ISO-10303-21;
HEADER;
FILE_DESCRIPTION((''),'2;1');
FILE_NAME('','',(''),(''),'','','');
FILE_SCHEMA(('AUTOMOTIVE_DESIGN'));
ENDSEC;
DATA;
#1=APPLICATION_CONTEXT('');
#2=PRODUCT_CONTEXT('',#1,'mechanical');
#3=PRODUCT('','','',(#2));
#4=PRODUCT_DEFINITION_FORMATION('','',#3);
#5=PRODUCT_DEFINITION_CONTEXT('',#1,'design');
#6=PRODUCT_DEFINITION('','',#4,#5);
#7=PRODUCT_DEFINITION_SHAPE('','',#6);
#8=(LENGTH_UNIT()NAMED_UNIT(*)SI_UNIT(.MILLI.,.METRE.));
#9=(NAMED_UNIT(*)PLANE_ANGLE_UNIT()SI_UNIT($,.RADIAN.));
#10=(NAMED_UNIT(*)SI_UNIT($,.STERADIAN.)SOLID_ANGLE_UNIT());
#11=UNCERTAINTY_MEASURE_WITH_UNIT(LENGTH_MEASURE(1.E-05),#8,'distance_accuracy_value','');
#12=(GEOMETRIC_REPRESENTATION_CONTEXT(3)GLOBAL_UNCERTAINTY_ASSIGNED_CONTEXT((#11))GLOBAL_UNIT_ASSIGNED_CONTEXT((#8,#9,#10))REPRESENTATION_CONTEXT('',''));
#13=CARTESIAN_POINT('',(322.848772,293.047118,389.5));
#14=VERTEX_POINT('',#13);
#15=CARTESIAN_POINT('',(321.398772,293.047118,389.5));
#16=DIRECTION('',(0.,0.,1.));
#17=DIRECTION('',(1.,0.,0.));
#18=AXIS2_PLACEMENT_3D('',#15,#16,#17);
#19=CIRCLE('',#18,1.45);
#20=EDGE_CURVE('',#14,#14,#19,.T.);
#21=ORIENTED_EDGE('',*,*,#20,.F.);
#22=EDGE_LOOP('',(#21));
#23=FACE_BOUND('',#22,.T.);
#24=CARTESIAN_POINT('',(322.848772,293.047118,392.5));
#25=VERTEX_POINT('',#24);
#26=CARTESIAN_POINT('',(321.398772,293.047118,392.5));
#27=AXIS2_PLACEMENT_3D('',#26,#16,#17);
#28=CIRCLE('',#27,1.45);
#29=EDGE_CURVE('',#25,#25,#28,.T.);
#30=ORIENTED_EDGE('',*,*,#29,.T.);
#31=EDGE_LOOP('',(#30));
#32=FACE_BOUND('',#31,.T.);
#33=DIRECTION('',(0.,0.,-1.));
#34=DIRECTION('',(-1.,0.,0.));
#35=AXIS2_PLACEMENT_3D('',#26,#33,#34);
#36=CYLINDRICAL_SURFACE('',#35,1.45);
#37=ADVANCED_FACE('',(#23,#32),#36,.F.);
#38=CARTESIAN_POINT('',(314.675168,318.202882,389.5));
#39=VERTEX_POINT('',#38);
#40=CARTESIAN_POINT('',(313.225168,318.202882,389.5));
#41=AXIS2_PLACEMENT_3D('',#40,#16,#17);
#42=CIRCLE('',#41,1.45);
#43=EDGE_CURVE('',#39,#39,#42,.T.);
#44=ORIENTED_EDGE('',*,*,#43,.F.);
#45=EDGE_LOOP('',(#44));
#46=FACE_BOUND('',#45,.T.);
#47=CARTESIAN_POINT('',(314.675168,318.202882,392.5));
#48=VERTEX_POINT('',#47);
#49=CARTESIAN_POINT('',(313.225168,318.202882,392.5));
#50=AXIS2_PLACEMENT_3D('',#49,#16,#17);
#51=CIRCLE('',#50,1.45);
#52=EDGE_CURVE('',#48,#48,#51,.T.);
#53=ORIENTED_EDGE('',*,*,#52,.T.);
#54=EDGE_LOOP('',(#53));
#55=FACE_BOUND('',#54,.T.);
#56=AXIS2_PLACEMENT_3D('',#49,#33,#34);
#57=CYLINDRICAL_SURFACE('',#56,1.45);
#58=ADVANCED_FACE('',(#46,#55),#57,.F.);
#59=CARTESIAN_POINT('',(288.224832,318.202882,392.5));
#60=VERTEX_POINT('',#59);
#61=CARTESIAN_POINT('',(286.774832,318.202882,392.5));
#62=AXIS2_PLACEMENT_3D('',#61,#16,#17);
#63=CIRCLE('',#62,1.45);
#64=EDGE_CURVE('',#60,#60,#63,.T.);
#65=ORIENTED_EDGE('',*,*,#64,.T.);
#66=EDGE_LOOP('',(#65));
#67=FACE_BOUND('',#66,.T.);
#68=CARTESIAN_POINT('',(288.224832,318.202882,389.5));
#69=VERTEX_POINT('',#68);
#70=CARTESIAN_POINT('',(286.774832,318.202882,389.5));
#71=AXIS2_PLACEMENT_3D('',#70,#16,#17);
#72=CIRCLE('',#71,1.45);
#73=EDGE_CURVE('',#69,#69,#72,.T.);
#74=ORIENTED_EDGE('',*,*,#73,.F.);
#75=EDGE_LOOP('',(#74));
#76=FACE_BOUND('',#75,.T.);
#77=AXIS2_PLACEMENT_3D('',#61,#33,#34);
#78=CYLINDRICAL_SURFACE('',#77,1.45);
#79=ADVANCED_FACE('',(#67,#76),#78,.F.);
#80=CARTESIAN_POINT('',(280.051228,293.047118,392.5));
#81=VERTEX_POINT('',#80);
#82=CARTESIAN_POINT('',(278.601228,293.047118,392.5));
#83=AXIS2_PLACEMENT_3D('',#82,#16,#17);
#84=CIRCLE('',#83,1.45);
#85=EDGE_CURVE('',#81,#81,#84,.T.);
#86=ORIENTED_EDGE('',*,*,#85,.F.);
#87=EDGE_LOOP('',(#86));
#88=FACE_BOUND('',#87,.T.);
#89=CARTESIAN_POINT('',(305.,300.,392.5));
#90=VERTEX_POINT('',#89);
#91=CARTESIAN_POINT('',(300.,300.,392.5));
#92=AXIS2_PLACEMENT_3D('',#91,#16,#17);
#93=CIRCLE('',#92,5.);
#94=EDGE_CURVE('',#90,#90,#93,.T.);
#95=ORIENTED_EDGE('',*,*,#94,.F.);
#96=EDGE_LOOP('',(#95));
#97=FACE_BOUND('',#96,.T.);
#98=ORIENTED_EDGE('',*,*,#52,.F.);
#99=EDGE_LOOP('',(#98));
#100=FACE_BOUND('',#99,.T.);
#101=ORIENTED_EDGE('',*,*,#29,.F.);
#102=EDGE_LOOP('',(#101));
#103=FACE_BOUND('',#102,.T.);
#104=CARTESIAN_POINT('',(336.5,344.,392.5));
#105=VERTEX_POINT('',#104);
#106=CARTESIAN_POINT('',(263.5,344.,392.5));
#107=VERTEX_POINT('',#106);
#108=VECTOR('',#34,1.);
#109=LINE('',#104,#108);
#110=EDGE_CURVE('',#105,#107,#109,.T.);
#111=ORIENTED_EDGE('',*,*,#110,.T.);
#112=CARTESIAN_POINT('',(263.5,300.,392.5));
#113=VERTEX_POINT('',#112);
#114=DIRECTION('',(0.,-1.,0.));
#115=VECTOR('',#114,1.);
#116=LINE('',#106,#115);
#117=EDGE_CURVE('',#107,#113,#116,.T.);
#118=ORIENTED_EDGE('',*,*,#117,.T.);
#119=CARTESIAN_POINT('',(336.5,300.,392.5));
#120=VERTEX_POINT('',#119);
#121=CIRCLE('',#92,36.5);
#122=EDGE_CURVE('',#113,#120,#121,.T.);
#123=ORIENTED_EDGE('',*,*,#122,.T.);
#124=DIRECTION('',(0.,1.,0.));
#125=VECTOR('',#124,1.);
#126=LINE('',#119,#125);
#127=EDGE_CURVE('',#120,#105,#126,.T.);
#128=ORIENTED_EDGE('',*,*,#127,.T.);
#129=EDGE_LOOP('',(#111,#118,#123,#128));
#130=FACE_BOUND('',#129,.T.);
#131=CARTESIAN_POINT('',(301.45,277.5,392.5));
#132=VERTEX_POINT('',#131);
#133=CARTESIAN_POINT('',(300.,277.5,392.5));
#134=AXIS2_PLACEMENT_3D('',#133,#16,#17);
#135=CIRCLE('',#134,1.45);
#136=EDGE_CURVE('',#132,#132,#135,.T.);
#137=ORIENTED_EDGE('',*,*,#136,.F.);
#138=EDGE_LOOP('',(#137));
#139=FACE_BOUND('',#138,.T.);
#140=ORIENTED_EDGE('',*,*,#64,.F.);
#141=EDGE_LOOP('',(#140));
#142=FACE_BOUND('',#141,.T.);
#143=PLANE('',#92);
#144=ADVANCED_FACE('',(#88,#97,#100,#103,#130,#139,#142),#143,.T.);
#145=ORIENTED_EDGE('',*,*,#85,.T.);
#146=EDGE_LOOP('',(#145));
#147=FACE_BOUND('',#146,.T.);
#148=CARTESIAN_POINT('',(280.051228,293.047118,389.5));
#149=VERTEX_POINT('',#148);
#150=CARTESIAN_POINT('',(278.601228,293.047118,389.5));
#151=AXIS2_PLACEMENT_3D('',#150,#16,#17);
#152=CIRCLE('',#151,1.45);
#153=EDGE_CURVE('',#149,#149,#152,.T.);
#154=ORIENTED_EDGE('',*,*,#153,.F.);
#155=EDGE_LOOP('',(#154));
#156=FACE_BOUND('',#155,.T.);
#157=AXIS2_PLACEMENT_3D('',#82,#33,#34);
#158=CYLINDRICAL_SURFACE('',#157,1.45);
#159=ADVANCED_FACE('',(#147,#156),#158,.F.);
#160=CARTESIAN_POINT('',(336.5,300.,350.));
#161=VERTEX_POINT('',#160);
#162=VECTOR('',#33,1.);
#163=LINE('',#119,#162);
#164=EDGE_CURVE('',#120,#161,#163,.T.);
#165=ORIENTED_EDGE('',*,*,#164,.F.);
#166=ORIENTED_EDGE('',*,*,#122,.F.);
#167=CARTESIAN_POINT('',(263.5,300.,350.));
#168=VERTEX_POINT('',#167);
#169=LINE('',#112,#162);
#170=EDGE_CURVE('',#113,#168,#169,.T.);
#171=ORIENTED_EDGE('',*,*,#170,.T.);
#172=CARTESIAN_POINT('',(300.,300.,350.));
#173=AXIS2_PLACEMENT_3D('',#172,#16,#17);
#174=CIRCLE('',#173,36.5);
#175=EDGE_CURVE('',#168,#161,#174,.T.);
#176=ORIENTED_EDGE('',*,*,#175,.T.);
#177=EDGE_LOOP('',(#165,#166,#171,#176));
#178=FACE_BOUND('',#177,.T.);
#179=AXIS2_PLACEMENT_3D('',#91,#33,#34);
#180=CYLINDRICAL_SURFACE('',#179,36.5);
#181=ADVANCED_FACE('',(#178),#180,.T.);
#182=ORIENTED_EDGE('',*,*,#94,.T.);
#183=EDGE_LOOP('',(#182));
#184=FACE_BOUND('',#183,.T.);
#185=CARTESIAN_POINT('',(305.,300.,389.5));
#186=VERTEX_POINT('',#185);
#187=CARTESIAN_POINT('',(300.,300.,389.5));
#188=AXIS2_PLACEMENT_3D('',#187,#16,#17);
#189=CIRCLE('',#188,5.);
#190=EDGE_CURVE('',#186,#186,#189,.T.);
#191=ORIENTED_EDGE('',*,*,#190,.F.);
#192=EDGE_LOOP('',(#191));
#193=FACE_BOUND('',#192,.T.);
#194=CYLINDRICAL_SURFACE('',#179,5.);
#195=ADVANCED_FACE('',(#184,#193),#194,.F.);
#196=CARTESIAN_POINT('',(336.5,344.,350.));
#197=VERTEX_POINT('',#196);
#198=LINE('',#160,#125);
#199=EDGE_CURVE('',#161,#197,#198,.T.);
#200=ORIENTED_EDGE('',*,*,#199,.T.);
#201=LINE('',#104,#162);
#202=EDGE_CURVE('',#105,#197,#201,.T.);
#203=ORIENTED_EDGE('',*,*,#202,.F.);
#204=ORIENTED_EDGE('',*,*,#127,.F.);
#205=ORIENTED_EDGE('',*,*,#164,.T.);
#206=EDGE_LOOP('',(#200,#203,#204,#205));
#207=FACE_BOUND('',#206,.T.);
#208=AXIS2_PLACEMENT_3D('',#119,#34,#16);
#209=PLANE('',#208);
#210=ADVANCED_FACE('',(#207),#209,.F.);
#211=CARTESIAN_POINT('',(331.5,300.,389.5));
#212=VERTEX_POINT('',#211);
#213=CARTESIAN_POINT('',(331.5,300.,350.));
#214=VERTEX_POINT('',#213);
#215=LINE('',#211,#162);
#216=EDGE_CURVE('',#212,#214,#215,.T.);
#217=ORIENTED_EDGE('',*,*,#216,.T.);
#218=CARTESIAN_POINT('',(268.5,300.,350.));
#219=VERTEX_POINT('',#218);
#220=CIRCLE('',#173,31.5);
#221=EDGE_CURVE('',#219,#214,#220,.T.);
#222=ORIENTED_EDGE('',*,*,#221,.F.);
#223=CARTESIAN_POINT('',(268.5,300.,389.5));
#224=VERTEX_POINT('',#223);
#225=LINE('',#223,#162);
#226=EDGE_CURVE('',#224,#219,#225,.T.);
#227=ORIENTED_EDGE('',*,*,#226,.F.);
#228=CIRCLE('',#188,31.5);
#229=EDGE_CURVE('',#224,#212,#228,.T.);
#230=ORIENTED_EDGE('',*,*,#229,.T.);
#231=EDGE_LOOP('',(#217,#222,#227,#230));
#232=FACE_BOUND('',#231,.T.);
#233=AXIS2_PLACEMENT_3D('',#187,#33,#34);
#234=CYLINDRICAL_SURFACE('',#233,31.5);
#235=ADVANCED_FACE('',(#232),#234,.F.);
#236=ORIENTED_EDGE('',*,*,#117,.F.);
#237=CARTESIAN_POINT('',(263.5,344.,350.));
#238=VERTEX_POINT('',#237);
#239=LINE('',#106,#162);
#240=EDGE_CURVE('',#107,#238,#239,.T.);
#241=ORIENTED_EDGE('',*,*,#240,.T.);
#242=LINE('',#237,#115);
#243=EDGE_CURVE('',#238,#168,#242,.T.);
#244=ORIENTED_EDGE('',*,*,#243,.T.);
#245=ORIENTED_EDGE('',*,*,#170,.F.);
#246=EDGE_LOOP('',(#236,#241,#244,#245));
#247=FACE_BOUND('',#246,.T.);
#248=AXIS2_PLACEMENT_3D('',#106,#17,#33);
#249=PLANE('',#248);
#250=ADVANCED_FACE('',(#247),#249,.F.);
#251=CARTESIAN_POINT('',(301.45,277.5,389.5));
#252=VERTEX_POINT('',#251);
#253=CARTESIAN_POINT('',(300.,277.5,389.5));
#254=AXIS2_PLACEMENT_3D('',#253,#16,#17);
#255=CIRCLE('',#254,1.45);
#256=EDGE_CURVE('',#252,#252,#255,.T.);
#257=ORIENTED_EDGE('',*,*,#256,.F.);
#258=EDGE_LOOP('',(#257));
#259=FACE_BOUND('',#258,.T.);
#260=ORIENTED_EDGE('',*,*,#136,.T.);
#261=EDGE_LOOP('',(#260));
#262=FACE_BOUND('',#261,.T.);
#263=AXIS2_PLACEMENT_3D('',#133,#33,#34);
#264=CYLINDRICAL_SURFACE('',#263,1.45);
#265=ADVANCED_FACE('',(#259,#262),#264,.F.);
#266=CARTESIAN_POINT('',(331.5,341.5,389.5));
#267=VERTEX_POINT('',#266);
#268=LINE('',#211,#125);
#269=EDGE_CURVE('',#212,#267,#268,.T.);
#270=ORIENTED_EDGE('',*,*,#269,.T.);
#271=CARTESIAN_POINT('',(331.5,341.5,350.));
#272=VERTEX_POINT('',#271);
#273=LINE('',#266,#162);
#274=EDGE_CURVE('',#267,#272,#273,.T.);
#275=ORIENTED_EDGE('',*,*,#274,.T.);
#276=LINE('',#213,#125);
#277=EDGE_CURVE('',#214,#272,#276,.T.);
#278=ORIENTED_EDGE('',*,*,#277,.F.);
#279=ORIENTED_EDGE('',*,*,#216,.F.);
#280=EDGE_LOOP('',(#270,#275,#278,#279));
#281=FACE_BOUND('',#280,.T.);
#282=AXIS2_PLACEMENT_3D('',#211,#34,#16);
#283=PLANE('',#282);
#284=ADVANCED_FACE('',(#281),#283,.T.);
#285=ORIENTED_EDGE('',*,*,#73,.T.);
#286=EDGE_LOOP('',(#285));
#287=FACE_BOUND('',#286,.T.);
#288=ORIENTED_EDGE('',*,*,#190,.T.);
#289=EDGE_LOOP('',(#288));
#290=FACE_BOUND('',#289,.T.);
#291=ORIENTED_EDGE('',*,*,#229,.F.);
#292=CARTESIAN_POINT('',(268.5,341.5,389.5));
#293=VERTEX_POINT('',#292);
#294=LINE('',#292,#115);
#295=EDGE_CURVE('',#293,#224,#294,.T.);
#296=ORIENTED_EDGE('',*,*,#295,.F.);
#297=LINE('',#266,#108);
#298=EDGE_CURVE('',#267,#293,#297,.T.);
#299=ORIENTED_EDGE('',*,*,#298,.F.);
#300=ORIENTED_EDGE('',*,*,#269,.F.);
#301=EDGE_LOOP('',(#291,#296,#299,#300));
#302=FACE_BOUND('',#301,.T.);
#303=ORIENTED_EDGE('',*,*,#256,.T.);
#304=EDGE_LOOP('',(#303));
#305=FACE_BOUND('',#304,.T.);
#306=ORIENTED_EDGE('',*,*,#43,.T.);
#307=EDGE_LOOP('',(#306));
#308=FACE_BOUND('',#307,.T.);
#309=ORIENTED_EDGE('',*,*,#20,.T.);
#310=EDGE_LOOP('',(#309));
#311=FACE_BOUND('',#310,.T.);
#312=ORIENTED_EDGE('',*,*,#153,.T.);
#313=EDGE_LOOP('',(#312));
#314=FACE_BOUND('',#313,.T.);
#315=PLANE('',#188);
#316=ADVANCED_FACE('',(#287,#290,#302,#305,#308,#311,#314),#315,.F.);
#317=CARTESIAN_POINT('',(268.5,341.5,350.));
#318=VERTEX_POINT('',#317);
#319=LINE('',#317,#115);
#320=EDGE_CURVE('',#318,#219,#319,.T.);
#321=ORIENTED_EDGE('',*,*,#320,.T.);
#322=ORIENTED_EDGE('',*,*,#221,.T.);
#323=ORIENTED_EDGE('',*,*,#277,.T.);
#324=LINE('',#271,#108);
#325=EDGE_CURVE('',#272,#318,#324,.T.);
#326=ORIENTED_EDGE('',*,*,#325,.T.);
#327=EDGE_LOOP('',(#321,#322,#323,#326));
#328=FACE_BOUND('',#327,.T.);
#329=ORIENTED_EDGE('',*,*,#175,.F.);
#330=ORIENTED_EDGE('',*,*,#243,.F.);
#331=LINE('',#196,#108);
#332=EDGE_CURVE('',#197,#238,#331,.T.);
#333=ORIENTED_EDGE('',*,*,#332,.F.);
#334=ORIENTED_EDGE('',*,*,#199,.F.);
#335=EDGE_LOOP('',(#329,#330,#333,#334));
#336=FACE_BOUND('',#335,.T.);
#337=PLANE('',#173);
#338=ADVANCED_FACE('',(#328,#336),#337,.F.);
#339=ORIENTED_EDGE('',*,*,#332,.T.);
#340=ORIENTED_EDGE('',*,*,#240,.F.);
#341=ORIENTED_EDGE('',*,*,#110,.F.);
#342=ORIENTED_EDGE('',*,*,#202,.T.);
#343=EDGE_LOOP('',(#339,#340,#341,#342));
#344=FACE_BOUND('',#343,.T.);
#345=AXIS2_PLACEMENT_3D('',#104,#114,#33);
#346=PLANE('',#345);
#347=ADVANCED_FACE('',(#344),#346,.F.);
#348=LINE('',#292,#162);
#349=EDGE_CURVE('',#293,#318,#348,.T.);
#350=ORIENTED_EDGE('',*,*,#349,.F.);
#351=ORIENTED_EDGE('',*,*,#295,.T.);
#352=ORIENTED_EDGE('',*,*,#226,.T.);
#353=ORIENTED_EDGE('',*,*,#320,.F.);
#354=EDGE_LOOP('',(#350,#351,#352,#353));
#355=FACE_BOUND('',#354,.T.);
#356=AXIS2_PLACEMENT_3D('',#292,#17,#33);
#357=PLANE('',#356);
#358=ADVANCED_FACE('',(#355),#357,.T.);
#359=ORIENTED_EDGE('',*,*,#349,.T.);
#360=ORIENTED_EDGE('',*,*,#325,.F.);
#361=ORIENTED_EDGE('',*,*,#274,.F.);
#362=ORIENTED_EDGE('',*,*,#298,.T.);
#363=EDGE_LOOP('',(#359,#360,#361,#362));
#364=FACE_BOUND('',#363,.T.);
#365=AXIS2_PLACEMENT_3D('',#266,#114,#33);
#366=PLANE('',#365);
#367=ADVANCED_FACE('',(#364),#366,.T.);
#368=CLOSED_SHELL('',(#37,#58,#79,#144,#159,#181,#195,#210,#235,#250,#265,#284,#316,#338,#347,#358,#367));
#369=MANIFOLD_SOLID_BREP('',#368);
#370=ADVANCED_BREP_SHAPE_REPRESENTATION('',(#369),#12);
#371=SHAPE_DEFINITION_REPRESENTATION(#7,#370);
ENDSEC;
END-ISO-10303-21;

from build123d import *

# Parameters (mm, degrees)
SKETCH1_R           = 36.5
BOSS_EXTRUDE1_DEPTH = 42.5
SKETCH2_W           = 73
SKETCH2_H           = 44
BOSS_EXTRUDE2_DEPTH = 42.5
SKETCH3_R           = 31.5
CUT_EXTRUDE1_DEPTH  = 39.5
SKETCH4_W           = 63
SKETCH4_H           = 41.5
CUT_EXTRUDE2_DEPTH  = 39.5
SKETCH5_R           = 5
SKETCH5_R_2         = 1.45
CUT_EXTRUDE3_DEPTH  = 3


with BuildPart() as part:
    # Sketch1 → Boss-Extrude1 (new body)
    with BuildSketch(Plane.XY.offset(350)):
        with Locations((300, 300)):
            Circle(SKETCH1_R)
    extrude(amount=BOSS_EXTRUDE1_DEPTH)

    # Sketch2 → Boss-Extrude2 (add)
    with BuildSketch(Plane.XY.offset(350)):
        with Locations((300, 322)):
            Rectangle(SKETCH2_W, SKETCH2_H)
    extrude(amount=BOSS_EXTRUDE2_DEPTH)

    # Sketch3 → Cut-Extrude1 (cut)
    with BuildSketch(Plane.XY.offset(350)):
        with Locations((300, 300)):
            Circle(SKETCH3_R)
    extrude(amount=CUT_EXTRUDE1_DEPTH, mode=Mode.SUBTRACT)

    # Sketch4 → Cut-Extrude2 (cut)
    with BuildSketch(Plane.XY.offset(350)):
        with Locations((300, 320.75)):
            Rectangle(SKETCH4_W, SKETCH4_H)
    extrude(amount=CUT_EXTRUDE2_DEPTH, mode=Mode.SUBTRACT)

    # Sketch5 → Cut-Extrude3 (cut)
    with BuildSketch(Plane.XY.offset(389.5)):
        with Locations((300, 300)):
            Circle(SKETCH5_R)
        with Locations((286.774831823, 318.202882373)):
            Circle(SKETCH5_R_2)
        with Locations((278.601228383, 293.047117627)):
            Circle(SKETCH5_R_2)
        with Locations((300, 277.5)):
            Circle(SKETCH5_R_2)
        with Locations((321.398771617, 293.047117627)):
            Circle(SKETCH5_R_2)
        with Locations((313.225168177, 318.202882373)):
            Circle(SKETCH5_R_2)
    extrude(amount=CUT_EXTRUDE3_DEPTH, mode=Mode.SUBTRACT)


solid = part.part
